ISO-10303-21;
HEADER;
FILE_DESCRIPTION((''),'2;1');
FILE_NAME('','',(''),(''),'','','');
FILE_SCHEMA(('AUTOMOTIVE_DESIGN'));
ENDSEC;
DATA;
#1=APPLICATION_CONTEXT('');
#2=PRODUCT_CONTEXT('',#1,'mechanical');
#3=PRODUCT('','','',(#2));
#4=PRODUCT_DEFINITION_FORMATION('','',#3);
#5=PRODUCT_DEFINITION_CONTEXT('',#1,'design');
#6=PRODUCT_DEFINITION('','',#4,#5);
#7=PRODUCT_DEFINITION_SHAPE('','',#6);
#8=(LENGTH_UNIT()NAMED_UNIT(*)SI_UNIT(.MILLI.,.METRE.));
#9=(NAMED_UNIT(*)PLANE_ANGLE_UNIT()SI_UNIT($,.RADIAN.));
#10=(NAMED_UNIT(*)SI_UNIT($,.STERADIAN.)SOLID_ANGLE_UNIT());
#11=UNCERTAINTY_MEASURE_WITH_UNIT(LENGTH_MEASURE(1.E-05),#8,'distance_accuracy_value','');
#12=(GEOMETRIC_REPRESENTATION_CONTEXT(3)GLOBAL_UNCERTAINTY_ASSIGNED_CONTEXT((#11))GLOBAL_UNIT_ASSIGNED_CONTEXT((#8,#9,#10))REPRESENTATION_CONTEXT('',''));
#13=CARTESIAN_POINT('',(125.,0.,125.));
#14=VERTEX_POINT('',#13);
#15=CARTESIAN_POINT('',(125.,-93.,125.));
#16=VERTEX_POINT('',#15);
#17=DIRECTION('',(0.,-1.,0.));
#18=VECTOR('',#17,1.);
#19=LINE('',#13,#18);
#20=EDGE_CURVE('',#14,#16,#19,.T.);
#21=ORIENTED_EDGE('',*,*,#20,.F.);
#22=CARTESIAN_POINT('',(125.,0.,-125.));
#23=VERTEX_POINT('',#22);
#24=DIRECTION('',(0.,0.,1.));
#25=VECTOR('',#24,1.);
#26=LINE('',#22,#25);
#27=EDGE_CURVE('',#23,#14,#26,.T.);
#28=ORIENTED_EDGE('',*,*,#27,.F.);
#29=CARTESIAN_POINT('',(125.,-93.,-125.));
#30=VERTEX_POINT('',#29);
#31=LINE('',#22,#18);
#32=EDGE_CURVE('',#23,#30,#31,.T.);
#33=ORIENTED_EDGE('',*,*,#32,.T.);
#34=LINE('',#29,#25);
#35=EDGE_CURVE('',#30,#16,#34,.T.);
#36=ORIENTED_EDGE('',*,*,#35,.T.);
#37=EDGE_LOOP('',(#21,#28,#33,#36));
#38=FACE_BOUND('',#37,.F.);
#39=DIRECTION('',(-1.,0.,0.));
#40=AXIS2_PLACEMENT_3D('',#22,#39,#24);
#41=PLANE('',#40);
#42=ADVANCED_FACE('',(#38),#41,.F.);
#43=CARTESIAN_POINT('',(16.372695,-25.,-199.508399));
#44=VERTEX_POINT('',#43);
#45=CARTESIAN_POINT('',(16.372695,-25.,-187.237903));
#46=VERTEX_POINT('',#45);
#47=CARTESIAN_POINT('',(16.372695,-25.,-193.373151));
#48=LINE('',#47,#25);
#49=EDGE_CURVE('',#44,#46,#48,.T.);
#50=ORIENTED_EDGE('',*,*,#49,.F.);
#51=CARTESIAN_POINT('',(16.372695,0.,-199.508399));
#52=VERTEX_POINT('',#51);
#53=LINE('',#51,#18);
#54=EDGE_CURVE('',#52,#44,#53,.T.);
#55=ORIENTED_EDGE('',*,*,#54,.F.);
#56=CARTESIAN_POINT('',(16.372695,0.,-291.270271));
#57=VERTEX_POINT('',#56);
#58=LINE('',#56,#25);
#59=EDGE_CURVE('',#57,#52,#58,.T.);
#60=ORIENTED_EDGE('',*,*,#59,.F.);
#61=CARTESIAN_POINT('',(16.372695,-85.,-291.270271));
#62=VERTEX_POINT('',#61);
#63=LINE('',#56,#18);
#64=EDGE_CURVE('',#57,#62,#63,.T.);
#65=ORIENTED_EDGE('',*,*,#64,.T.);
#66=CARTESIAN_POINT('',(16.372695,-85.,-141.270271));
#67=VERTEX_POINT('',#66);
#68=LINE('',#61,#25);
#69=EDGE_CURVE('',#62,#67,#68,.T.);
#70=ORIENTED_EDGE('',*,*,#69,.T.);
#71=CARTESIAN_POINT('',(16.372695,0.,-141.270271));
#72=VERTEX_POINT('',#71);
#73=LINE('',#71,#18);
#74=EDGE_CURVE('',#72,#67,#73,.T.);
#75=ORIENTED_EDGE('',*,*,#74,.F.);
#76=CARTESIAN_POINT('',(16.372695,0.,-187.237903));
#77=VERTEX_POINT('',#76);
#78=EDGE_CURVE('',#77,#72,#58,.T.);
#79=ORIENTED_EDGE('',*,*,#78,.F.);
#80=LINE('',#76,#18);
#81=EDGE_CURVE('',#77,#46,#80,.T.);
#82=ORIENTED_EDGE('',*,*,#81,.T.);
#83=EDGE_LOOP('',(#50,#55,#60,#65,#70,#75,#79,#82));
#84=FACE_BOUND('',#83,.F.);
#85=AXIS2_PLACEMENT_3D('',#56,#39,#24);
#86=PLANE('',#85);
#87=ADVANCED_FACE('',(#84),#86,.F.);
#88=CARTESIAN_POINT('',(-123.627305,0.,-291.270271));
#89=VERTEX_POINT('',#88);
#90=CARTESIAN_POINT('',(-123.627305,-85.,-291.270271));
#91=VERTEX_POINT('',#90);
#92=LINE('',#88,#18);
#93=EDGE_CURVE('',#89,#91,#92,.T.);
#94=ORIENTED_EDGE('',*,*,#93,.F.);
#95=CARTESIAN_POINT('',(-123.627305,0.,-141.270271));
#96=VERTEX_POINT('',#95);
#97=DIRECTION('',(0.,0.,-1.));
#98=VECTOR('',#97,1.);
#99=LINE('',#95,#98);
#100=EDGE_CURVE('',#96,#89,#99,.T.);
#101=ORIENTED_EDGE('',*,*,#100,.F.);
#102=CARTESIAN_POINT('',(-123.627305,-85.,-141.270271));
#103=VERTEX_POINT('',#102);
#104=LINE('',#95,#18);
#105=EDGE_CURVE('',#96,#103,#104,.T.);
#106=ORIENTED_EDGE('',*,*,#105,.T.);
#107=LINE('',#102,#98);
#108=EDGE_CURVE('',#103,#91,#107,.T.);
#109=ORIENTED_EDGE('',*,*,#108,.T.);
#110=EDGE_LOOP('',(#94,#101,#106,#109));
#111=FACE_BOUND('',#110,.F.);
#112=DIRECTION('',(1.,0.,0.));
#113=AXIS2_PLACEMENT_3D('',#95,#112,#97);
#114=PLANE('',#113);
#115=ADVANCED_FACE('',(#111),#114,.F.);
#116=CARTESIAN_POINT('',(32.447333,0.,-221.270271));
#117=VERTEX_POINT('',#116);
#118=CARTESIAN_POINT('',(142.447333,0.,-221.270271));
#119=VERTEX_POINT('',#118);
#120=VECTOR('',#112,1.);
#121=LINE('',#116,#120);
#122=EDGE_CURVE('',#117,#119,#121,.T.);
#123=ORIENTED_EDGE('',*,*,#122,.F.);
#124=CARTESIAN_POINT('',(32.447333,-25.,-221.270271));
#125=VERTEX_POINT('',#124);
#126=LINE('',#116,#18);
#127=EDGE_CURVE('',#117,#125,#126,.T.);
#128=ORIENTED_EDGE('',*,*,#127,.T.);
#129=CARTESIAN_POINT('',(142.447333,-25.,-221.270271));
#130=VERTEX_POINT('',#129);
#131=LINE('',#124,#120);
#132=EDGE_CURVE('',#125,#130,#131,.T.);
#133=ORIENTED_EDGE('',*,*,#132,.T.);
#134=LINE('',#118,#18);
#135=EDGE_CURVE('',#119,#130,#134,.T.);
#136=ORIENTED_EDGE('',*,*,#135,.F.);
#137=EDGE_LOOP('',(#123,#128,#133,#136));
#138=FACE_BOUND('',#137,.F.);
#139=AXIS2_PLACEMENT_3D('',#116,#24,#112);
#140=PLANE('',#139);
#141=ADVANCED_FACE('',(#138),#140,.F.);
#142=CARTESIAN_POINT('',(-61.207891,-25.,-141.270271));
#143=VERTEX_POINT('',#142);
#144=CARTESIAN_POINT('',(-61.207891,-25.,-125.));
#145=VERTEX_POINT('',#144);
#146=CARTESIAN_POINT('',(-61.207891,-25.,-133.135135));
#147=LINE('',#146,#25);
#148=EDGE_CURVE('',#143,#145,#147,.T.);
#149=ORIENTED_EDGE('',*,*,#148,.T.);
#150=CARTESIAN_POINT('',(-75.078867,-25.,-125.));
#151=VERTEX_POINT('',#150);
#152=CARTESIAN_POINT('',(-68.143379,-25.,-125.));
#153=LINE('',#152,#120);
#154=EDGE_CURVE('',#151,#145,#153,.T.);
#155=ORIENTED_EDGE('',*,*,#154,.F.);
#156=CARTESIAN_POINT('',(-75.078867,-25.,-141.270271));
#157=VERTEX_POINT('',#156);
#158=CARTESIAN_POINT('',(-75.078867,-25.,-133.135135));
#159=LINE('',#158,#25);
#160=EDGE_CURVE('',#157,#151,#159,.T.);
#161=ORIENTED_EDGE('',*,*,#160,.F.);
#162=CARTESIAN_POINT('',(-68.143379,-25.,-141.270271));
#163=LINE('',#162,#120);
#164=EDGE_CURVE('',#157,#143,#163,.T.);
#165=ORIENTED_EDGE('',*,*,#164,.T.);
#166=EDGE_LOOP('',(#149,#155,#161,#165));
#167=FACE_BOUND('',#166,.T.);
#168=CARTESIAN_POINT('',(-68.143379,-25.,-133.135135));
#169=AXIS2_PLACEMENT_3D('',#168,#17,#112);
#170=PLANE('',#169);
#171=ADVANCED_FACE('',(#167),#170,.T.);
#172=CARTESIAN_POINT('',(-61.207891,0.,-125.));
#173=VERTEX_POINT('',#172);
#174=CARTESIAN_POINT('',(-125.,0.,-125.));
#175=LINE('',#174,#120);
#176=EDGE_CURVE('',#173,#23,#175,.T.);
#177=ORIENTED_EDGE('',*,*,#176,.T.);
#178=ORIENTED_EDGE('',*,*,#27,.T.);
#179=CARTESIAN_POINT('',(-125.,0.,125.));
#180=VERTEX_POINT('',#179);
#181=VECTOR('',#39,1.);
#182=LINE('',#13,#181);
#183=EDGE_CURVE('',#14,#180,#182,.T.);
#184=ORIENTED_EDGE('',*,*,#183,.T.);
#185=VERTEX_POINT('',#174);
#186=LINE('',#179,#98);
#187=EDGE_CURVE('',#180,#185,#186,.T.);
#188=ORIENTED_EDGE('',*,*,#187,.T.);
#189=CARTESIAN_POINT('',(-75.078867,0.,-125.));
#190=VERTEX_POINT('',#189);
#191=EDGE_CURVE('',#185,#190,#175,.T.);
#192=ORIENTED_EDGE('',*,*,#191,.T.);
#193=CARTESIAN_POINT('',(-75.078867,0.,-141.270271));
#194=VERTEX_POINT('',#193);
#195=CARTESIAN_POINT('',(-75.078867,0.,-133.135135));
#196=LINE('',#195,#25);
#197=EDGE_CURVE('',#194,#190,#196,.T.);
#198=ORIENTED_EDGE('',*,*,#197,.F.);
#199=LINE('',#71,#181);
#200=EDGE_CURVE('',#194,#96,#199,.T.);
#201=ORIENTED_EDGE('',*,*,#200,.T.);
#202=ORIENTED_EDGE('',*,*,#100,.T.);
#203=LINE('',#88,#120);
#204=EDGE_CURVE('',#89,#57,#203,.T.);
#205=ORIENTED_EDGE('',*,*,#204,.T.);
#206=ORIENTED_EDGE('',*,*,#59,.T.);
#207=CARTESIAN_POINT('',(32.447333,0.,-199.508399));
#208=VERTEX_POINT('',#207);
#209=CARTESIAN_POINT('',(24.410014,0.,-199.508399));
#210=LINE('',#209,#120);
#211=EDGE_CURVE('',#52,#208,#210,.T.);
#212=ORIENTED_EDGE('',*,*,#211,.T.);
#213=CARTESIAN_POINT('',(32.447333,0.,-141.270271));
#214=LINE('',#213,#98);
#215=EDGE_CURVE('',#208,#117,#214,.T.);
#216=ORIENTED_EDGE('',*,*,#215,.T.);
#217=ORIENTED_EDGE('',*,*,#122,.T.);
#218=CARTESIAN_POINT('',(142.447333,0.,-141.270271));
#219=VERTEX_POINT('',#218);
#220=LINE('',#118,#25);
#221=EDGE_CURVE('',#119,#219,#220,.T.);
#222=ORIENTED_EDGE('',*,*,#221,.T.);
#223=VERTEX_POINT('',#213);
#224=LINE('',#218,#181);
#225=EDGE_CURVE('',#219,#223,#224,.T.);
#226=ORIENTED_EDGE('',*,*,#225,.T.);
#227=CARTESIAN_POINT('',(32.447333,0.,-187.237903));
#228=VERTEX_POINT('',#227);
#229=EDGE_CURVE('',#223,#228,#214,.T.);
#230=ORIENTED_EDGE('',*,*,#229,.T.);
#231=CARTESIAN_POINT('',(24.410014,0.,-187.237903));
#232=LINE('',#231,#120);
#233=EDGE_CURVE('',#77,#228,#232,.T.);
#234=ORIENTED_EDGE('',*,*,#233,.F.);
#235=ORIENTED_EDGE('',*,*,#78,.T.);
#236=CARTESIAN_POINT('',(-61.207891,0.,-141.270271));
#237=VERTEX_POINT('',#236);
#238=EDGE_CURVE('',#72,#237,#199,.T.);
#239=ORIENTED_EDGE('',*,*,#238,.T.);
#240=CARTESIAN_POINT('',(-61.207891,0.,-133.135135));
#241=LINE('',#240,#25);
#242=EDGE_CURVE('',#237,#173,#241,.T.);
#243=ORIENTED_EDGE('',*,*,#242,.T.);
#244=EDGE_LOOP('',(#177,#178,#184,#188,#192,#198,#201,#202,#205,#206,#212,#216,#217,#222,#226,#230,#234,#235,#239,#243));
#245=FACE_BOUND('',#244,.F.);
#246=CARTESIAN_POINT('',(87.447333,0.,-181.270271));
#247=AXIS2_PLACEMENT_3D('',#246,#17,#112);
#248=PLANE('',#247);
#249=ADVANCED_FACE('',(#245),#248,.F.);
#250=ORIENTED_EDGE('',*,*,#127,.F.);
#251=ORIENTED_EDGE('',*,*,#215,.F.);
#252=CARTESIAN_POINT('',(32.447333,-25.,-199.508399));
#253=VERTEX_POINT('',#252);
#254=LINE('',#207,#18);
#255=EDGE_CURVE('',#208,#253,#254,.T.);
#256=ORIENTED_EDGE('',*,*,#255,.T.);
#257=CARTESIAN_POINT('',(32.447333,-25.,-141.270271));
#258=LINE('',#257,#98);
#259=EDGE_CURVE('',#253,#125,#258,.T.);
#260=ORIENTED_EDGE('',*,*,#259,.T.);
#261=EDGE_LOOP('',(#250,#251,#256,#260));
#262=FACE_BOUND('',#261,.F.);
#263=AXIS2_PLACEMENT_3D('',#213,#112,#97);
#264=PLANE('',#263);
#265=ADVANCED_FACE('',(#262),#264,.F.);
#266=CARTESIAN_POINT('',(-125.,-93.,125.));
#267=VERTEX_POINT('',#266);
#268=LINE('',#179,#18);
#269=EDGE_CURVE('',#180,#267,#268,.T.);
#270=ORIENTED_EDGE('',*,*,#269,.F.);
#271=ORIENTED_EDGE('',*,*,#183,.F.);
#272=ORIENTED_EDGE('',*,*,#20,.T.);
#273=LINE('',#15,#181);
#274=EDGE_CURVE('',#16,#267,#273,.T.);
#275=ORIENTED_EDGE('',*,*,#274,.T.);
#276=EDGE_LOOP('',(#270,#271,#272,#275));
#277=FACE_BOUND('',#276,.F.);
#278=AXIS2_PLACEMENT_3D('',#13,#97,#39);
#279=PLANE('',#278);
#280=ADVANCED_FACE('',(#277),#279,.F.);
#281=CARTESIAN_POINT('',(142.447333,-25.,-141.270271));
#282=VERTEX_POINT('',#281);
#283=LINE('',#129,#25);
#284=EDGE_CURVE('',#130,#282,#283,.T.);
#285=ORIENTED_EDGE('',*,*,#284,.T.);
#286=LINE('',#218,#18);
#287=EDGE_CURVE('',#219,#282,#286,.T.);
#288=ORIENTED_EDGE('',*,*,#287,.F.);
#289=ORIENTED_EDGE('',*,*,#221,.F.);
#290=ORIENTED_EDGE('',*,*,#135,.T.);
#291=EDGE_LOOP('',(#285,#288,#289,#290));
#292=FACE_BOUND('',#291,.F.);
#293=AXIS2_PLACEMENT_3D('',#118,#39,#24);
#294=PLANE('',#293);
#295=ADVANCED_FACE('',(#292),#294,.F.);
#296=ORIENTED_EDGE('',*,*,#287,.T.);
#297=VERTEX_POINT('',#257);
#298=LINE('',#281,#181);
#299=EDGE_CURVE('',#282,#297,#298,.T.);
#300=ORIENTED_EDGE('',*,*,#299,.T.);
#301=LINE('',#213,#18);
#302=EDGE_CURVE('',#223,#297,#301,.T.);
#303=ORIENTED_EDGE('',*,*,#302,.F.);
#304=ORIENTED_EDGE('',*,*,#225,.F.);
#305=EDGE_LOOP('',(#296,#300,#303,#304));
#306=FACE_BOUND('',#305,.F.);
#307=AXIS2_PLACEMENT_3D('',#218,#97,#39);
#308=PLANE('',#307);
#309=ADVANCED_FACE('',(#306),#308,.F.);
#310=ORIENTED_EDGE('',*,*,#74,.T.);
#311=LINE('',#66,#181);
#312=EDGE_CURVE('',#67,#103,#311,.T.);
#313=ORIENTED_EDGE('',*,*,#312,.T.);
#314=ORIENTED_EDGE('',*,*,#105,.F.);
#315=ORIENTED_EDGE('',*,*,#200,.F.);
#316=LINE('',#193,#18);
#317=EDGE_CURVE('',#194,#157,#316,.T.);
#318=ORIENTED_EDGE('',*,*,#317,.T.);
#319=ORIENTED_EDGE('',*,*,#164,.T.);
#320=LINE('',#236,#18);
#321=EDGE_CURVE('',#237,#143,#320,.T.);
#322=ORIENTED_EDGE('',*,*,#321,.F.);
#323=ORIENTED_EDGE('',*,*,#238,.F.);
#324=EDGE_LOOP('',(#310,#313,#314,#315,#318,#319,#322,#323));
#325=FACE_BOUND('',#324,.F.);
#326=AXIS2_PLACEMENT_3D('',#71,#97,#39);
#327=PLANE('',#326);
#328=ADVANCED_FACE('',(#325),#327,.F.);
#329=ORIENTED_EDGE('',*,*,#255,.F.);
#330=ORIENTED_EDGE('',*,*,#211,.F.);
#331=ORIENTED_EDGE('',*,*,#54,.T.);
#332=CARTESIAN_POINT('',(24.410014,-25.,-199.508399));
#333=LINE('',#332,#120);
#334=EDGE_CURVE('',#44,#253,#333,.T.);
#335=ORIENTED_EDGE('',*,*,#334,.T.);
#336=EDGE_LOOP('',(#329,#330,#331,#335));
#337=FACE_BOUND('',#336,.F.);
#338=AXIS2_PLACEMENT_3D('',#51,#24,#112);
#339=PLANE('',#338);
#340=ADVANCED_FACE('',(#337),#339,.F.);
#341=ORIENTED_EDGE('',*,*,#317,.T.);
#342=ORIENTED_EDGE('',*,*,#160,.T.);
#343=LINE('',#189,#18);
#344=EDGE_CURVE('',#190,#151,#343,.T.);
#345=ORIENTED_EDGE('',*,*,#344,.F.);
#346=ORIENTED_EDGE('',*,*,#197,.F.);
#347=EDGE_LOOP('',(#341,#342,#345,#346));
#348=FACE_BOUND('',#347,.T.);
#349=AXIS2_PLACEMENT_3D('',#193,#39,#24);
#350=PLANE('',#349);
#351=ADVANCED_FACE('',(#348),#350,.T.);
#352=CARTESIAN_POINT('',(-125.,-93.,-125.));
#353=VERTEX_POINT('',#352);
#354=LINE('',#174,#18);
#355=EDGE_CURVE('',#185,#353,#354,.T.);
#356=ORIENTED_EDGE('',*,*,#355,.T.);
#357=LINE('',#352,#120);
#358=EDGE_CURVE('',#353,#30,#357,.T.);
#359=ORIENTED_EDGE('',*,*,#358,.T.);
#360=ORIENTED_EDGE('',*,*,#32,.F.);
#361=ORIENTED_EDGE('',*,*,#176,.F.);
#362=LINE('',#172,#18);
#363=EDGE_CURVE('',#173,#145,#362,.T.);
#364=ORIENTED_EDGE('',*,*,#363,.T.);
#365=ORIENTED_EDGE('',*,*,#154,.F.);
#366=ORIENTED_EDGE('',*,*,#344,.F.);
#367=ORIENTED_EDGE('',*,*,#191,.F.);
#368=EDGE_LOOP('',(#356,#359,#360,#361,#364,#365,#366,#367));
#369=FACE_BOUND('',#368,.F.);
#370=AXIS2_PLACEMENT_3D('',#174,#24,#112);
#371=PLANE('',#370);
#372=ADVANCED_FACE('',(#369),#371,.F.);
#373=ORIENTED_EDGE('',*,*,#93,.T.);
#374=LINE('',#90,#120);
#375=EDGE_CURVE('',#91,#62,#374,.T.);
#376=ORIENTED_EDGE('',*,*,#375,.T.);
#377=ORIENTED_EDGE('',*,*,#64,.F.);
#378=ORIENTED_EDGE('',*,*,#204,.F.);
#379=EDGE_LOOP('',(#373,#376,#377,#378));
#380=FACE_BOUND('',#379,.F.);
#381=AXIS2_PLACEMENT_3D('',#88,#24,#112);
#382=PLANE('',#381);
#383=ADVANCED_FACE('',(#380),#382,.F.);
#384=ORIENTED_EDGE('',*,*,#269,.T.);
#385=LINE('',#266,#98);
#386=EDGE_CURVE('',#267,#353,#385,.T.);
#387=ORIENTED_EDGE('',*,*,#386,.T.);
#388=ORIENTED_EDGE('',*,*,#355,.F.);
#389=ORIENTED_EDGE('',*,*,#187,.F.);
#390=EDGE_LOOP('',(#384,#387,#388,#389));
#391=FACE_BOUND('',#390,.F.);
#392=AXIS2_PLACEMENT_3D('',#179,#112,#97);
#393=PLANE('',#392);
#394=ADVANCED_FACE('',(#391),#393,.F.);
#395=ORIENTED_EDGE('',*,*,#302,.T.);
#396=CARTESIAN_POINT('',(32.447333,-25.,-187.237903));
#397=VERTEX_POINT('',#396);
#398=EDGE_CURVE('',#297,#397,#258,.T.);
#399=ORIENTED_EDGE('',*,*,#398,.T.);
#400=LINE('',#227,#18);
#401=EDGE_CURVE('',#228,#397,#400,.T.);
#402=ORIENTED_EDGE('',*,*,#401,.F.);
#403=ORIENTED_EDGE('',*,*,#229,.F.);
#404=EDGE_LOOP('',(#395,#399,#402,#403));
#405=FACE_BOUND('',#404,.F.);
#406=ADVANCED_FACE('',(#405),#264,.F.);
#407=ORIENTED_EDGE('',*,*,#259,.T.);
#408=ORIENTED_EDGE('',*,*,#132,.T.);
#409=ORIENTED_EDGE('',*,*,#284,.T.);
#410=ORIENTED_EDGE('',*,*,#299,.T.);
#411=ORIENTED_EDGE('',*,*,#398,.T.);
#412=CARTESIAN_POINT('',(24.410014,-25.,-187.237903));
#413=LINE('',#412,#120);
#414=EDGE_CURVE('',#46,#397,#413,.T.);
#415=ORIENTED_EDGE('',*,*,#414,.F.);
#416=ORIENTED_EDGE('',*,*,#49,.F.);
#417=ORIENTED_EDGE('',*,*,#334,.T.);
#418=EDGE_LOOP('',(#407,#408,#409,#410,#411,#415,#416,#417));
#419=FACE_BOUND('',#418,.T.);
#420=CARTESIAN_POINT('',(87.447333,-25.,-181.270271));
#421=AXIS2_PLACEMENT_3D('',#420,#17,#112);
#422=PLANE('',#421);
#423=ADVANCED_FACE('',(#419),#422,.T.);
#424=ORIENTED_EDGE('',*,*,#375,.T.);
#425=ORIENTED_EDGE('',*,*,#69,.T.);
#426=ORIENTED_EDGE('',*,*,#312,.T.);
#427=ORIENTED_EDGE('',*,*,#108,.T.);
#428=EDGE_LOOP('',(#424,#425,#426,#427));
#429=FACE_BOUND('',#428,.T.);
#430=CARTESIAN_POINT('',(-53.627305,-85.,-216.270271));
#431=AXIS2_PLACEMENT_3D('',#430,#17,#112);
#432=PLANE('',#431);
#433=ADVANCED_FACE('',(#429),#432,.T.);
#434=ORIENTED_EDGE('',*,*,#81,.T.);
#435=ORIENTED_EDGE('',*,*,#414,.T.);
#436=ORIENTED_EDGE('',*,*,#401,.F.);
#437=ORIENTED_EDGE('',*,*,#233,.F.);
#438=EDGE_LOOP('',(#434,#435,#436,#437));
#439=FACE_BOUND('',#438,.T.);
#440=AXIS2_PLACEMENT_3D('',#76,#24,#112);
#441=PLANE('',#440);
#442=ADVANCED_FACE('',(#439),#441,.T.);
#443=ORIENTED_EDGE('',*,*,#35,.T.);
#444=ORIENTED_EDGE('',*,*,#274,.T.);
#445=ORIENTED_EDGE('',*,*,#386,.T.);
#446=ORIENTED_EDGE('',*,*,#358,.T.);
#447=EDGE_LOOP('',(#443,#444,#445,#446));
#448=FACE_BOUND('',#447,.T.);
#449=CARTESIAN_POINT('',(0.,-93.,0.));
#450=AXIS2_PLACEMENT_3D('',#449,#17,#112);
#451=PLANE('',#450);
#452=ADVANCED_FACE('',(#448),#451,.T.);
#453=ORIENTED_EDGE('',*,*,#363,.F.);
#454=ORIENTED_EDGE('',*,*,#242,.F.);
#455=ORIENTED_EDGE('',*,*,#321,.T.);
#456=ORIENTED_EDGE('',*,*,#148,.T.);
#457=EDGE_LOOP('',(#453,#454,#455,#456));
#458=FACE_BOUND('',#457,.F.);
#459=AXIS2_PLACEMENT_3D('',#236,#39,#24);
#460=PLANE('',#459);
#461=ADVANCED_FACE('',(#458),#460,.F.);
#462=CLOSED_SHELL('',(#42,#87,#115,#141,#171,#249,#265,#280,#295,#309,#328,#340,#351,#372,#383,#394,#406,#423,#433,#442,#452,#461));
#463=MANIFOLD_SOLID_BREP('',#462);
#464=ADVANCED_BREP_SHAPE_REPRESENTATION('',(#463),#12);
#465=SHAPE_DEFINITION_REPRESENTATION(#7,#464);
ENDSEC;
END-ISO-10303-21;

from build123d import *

# Parameters (mm, degrees)
F1_DEPTH = 85
F0_W     = 13.8709768653
F0_H     = 16.2702709436
F0_W_2   = 16.0746378824
F0_H_2   = 12.2704952955
F2_DEPTH = 25
F3_DEPTH = 93
F4_DEPTH = 25


with BuildPart() as f1:
    # F0 (on Front) → F1 (new body)
    with BuildSketch(Plane.XZ):
        Polygon((-61.2078905106, -141.2702709436), (-75.0788673759, -141.2702709436), (-123.6273050308, -141.2702709436), (-123.6273050308, -291.2702709436), (16.3726949692, -291.2702709436), (16.3726949692, -199.5083987713), (16.3726949692, -187.2379034758), (16.3726949692, -141.2702709436), align=None)
    extrude(amount=F1_DEPTH)

    # F0 (on Front) → F2 (join)
    with BuildSketch(Plane.XZ):
        with Locations((-68.1433789432, -133.1351354718)):
            Rectangle(F0_W, F0_H)
        with Locations((24.4100139104, -193.3731511235)):
            Rectangle(F0_W_2, F0_H_2)
    extrude(amount=F2_DEPTH)

    # F0 (on Front) → F3 (join)
    with BuildSketch(Plane.XZ):
        Polygon((125, 125), (-125, 125), (-125, -125), (-75.0788673759, -125), (-61.2078905106, -125), (125, -125), align=None)
    extrude(amount=F3_DEPTH)

    # F0 (on Front) → F4 (join)
    with BuildSketch(Plane.XZ):
        Polygon((32.4473328516, -141.2702709436), (32.4473328516, -187.2379034758), (32.4473328516, -199.5083987713), (32.4473328516, -221.2702709436), (142.4473328516, -221.2702709436), (142.4473328516, -141.2702709436), align=None)
    extrude(amount=F4_DEPTH)


solid = f1.part
